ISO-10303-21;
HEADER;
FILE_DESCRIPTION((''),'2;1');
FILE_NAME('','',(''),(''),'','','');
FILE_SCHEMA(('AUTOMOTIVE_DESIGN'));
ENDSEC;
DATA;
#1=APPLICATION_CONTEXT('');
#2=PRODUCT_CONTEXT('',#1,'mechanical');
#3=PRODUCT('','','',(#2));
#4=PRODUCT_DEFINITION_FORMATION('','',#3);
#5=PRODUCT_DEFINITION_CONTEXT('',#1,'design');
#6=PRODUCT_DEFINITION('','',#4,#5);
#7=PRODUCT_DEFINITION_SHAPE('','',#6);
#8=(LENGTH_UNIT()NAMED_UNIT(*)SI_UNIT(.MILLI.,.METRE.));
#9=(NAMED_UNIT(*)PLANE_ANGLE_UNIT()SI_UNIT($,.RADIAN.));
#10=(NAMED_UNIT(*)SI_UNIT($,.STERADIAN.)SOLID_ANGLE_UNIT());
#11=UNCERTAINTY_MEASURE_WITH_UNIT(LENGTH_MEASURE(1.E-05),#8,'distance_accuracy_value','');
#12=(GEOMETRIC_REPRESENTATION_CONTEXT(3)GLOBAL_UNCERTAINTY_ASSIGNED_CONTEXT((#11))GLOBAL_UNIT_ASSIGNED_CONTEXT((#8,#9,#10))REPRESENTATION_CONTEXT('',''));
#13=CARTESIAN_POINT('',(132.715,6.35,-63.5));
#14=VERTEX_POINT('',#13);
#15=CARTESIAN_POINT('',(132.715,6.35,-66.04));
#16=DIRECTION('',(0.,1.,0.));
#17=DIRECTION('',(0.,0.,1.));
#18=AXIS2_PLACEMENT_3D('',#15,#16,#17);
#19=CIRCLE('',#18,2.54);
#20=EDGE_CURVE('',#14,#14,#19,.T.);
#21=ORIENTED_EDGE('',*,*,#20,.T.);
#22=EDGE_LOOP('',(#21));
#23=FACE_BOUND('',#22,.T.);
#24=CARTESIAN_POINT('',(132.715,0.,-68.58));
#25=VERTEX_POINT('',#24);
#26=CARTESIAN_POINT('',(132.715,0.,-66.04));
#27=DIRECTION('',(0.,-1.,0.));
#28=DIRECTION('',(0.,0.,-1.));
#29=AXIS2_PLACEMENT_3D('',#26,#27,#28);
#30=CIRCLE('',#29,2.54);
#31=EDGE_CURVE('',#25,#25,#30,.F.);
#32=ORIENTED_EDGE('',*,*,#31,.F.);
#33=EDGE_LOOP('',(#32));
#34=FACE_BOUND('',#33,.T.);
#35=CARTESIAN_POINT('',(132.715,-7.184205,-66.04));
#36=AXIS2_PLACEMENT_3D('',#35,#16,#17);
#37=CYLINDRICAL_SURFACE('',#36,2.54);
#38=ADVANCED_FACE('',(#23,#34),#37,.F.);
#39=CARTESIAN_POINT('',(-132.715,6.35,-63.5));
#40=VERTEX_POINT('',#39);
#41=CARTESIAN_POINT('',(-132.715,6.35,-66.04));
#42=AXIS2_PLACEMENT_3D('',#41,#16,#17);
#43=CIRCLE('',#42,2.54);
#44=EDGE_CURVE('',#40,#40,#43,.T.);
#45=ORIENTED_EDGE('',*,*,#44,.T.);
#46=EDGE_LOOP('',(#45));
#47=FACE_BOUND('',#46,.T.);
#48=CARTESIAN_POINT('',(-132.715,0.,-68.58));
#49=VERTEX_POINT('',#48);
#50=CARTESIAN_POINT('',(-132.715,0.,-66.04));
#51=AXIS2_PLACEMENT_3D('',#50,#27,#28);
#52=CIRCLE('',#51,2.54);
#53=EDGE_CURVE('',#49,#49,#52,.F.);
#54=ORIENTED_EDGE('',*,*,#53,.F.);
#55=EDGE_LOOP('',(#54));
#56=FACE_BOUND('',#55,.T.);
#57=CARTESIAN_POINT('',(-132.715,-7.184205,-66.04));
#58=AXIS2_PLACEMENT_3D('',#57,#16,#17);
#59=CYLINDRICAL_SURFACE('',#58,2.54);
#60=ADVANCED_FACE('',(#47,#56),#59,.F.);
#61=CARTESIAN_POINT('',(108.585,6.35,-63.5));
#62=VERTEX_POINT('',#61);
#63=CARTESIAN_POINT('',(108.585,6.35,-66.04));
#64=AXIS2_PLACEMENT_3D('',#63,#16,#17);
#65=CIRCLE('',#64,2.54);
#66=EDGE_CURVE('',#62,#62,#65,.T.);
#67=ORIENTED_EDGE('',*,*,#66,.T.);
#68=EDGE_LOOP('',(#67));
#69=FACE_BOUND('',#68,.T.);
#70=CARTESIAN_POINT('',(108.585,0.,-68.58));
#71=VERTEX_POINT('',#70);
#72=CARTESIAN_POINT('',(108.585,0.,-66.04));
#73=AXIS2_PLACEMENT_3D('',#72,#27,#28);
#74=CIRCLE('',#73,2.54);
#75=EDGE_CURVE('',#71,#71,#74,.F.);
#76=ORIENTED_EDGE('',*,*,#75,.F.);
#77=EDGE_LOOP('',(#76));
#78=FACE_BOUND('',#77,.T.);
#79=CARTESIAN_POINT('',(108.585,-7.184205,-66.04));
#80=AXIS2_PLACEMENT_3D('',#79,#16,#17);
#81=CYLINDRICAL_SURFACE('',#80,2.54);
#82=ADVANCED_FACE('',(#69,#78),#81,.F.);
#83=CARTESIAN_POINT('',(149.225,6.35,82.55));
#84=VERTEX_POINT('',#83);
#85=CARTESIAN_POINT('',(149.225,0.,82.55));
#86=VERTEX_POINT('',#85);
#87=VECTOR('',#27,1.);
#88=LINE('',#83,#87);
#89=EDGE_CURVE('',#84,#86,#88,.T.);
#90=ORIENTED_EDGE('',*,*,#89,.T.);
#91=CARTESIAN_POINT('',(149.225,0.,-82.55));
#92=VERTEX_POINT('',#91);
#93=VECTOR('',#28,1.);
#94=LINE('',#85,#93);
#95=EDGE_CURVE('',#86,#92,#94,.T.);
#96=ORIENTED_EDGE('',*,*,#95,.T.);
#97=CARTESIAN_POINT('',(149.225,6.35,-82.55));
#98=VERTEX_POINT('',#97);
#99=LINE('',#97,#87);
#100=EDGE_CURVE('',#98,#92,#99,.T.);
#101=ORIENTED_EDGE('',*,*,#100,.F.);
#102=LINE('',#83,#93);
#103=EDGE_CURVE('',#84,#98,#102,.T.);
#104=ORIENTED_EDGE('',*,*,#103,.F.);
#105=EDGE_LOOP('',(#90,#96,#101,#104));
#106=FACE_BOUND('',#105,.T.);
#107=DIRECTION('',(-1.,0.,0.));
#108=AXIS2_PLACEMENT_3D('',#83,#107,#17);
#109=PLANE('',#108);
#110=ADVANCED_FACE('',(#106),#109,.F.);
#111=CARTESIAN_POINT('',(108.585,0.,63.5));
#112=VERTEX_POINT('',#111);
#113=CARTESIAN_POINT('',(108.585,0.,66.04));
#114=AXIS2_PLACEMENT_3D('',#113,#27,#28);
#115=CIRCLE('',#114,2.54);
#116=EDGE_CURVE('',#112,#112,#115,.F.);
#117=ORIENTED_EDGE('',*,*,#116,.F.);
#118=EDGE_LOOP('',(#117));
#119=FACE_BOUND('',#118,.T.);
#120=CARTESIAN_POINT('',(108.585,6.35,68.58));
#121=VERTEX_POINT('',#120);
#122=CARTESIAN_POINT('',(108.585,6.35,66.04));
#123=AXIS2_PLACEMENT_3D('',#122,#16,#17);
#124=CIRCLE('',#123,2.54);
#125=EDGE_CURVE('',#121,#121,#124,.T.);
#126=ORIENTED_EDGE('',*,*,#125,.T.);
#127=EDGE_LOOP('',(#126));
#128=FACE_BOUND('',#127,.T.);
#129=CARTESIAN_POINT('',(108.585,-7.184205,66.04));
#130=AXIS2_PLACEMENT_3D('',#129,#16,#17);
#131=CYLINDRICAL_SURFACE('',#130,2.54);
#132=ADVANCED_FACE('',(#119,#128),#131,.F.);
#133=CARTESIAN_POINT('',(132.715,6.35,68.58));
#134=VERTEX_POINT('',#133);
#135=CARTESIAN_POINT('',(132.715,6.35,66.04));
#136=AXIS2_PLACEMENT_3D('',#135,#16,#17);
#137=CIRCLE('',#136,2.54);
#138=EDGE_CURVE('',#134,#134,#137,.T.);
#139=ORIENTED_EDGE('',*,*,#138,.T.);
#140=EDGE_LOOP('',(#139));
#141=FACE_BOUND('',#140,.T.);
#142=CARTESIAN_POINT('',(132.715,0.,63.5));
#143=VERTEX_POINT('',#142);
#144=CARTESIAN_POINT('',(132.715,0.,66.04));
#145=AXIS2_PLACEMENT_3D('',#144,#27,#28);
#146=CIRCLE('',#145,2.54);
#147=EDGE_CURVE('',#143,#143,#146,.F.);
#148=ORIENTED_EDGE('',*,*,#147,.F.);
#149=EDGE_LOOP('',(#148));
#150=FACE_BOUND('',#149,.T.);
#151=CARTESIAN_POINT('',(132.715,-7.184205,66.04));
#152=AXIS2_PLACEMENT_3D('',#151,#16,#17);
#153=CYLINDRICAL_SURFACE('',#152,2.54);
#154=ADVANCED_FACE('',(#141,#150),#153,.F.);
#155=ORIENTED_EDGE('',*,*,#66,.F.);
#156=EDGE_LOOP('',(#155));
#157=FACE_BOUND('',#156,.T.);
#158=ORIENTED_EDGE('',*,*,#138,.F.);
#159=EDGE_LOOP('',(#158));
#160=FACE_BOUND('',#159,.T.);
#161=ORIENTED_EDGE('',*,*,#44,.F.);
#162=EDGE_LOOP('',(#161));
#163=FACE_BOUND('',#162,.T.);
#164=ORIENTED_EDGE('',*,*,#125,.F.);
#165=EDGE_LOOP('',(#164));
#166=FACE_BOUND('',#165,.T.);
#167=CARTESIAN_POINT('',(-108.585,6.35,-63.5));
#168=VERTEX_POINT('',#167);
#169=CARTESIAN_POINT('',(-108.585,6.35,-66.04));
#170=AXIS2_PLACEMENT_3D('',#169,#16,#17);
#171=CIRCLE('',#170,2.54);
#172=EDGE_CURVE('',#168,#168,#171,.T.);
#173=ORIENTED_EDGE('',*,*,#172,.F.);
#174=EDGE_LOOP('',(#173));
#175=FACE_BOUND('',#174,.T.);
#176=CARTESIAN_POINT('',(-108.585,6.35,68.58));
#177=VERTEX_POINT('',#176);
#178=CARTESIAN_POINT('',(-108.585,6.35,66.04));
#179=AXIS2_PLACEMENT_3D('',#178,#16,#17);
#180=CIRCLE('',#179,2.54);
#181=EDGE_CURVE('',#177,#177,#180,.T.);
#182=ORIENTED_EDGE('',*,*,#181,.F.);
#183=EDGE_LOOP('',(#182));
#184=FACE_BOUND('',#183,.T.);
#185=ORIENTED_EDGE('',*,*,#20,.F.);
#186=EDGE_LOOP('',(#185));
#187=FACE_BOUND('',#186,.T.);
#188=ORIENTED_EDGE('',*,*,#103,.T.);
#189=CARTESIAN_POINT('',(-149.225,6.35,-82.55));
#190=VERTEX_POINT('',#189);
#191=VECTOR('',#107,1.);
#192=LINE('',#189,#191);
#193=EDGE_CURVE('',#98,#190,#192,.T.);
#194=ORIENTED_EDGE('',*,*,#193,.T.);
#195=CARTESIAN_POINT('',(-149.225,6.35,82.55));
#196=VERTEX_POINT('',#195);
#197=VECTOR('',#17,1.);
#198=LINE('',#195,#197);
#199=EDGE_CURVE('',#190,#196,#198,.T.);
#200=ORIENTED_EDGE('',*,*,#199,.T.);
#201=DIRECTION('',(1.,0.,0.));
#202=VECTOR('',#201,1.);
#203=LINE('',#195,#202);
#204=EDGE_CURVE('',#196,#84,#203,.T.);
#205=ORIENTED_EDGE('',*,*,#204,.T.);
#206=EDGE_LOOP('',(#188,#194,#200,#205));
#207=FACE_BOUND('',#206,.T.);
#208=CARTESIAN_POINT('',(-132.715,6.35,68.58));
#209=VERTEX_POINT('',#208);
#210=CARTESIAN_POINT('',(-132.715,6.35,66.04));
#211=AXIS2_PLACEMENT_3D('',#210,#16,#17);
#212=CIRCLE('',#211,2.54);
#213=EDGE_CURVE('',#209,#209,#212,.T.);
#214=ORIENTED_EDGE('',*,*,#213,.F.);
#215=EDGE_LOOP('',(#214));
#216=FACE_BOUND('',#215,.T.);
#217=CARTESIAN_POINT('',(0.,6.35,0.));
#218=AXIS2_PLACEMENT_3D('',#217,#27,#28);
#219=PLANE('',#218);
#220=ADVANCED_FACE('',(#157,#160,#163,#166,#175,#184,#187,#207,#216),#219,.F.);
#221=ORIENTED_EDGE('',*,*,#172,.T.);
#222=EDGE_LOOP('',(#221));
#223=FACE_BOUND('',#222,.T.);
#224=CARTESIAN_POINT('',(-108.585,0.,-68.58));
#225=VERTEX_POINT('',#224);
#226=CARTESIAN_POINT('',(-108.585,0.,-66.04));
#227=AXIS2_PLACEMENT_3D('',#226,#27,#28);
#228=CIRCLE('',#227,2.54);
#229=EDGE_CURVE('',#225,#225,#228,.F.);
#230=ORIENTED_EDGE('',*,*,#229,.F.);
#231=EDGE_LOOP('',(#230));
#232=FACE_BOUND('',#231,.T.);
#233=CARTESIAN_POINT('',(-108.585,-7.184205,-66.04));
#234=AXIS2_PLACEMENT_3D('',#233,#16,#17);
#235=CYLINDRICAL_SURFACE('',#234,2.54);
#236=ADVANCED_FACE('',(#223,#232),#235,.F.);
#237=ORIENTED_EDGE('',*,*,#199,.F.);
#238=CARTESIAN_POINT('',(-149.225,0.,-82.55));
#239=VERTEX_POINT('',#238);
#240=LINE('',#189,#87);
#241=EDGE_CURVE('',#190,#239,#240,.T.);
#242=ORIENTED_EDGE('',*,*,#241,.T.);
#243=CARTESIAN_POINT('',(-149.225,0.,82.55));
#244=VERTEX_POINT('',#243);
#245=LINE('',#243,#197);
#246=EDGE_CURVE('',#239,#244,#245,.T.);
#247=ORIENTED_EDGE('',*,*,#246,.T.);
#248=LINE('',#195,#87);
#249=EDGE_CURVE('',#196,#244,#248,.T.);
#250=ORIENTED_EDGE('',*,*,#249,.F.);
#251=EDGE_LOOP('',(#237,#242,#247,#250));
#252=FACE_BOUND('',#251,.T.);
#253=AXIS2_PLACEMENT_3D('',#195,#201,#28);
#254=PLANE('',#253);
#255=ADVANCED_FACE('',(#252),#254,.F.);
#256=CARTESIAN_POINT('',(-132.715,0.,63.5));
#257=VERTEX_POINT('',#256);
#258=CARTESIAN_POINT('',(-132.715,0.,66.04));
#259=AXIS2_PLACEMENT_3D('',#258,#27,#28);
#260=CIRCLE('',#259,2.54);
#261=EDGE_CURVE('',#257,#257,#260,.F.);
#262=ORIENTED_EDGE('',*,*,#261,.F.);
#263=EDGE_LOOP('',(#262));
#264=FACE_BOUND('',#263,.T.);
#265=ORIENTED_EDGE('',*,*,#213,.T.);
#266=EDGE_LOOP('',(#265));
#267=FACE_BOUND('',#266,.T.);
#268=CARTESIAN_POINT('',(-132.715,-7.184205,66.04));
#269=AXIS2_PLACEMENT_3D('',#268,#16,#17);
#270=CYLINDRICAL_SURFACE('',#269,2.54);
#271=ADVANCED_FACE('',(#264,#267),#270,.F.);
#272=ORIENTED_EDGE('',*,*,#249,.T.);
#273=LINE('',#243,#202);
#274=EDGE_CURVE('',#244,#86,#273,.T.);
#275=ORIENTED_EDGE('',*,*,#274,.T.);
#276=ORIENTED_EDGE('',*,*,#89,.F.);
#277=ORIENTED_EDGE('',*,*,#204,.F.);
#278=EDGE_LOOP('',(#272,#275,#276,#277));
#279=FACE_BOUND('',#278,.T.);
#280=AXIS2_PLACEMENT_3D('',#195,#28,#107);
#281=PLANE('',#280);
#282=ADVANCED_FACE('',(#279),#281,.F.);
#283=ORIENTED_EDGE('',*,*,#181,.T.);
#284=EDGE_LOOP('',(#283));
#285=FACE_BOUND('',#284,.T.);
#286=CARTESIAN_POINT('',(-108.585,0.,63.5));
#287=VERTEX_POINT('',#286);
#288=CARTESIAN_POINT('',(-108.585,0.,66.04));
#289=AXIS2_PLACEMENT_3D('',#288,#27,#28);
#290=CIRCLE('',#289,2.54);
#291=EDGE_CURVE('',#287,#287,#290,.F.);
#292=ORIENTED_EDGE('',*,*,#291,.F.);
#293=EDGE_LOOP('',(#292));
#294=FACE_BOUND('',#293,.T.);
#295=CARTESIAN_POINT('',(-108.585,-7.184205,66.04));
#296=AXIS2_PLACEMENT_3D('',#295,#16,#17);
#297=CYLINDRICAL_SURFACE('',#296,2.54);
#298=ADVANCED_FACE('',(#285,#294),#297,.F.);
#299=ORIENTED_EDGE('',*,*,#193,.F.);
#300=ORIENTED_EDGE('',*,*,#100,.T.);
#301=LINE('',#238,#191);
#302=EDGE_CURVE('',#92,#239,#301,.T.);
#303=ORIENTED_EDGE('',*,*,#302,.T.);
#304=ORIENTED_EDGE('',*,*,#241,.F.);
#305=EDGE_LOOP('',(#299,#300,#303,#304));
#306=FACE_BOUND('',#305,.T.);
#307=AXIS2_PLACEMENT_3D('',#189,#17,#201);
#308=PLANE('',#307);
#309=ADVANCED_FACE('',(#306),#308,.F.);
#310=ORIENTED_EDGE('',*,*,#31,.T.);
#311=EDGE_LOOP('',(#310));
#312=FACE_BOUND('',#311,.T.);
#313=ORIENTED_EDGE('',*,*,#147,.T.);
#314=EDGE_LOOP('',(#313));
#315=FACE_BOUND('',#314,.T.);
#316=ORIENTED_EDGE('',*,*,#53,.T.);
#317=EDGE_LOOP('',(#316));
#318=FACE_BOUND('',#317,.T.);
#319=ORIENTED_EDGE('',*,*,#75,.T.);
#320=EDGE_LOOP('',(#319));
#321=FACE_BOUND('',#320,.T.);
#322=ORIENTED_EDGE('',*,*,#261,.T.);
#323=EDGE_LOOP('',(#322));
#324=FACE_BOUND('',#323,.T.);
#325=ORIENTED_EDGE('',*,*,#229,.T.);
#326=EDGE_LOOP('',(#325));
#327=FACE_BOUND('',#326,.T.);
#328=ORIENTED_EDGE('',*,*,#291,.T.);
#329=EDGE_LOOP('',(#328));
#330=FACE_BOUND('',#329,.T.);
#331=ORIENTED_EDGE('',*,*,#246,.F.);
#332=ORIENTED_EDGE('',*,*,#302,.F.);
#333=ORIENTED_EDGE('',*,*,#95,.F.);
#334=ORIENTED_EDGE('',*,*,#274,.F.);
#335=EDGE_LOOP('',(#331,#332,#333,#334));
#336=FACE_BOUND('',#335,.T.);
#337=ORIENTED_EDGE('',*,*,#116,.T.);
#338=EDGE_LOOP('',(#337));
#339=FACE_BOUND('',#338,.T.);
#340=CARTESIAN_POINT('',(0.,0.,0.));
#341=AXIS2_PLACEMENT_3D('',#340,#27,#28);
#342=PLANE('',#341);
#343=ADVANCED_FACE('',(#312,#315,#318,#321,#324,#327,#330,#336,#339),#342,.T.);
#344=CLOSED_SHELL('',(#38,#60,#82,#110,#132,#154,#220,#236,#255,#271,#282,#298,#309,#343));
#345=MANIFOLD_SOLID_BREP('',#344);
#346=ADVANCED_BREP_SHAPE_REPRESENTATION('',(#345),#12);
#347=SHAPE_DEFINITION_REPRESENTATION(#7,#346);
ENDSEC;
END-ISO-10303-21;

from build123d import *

# Parameters (mm, degrees)
SKETCH1_W           = 298.45
SKETCH1_H           = 165.1
BOSS_EXTRUDE1_DEPTH = 6.35
SKETCH2_R           = 2.54
CUT_EXTRUDE1_DEPTH  = 6.35
SKETCH5_R           = 2.54
CUT_EXTRUDE2_DEPTH  = 6.35
SKETCH6_R           = 2.54
CUT_EXTRUDE3_DEPTH  = 6.35
SKETCH7_R           = 2.54
CUT_EXTRUDE4_DEPTH  = 6.35


with BuildPart() as part:
    # Sketch1 → Boss-Extrude1 (new body)
    with BuildSketch(Plane(origin=(0, 0, 0), x_dir=(1, 0, 0), z_dir=(0, 1, 0))):
        Rectangle(SKETCH1_W, SKETCH1_H)
    extrude(amount=BOSS_EXTRUDE1_DEPTH)

    # Sketch2 → Cut-Extrude1 (cut)
    with BuildSketch(Plane(origin=(0, 6.35, 0), x_dir=(1, 0, 0), z_dir=(0, 1, 0))):
        with Locations(Location((132.715, -66.04, 0), (0, 0, 270))):
            Circle(SKETCH2_R)
        with Locations(Location((108.585, -66.04, 0), (0, 0, 270))):
            Circle(SKETCH2_R)
    extrude(amount=-CUT_EXTRUDE1_DEPTH, mode=Mode.SUBTRACT)

    # Sketch5 → Cut-Extrude2 (cut)
    with BuildSketch(Plane(origin=(0, 6.35, 0), x_dir=(1, 0, 0), z_dir=(0, 1, 0))):
        with Locations(Location((-132.715, -66.04, 0), (0, 0, 270))):
            Circle(SKETCH5_R)
        with Locations(Location((-108.585, -66.04, 0), (0, 0, 270))):
            Circle(SKETCH5_R)
    extrude(amount=-CUT_EXTRUDE2_DEPTH, mode=Mode.SUBTRACT)

    # Sketch6 → Cut-Extrude3 (cut)
    with BuildSketch(Plane(origin=(0, 6.35, 0), x_dir=(1, 0, 0), z_dir=(0, 1, 0))):
        with Locations(Location((132.715, 66.04, 0), (0, 0, 270))):
            Circle(SKETCH6_R)
        with Locations(Location((108.585, 66.04, 0), (0, 0, 270))):
            Circle(SKETCH6_R)
    extrude(amount=-CUT_EXTRUDE3_DEPTH, mode=Mode.SUBTRACT)

    # Sketch7 → Cut-Extrude4 (cut)
    with BuildSketch(Plane(origin=(0, 6.35, 0), x_dir=(1, 0, 0), z_dir=(0, 1, 0))):
        with Locations(Location((-132.715, 66.04, 0), (0, 0, 270))):
            Circle(SKETCH7_R)
        with Locations(Location((-108.585, 66.04, 0), (0, 0, 270))):
            Circle(SKETCH7_R)
    extrude(amount=-CUT_EXTRUDE4_DEPTH, mode=Mode.SUBTRACT)


solid = part.part
